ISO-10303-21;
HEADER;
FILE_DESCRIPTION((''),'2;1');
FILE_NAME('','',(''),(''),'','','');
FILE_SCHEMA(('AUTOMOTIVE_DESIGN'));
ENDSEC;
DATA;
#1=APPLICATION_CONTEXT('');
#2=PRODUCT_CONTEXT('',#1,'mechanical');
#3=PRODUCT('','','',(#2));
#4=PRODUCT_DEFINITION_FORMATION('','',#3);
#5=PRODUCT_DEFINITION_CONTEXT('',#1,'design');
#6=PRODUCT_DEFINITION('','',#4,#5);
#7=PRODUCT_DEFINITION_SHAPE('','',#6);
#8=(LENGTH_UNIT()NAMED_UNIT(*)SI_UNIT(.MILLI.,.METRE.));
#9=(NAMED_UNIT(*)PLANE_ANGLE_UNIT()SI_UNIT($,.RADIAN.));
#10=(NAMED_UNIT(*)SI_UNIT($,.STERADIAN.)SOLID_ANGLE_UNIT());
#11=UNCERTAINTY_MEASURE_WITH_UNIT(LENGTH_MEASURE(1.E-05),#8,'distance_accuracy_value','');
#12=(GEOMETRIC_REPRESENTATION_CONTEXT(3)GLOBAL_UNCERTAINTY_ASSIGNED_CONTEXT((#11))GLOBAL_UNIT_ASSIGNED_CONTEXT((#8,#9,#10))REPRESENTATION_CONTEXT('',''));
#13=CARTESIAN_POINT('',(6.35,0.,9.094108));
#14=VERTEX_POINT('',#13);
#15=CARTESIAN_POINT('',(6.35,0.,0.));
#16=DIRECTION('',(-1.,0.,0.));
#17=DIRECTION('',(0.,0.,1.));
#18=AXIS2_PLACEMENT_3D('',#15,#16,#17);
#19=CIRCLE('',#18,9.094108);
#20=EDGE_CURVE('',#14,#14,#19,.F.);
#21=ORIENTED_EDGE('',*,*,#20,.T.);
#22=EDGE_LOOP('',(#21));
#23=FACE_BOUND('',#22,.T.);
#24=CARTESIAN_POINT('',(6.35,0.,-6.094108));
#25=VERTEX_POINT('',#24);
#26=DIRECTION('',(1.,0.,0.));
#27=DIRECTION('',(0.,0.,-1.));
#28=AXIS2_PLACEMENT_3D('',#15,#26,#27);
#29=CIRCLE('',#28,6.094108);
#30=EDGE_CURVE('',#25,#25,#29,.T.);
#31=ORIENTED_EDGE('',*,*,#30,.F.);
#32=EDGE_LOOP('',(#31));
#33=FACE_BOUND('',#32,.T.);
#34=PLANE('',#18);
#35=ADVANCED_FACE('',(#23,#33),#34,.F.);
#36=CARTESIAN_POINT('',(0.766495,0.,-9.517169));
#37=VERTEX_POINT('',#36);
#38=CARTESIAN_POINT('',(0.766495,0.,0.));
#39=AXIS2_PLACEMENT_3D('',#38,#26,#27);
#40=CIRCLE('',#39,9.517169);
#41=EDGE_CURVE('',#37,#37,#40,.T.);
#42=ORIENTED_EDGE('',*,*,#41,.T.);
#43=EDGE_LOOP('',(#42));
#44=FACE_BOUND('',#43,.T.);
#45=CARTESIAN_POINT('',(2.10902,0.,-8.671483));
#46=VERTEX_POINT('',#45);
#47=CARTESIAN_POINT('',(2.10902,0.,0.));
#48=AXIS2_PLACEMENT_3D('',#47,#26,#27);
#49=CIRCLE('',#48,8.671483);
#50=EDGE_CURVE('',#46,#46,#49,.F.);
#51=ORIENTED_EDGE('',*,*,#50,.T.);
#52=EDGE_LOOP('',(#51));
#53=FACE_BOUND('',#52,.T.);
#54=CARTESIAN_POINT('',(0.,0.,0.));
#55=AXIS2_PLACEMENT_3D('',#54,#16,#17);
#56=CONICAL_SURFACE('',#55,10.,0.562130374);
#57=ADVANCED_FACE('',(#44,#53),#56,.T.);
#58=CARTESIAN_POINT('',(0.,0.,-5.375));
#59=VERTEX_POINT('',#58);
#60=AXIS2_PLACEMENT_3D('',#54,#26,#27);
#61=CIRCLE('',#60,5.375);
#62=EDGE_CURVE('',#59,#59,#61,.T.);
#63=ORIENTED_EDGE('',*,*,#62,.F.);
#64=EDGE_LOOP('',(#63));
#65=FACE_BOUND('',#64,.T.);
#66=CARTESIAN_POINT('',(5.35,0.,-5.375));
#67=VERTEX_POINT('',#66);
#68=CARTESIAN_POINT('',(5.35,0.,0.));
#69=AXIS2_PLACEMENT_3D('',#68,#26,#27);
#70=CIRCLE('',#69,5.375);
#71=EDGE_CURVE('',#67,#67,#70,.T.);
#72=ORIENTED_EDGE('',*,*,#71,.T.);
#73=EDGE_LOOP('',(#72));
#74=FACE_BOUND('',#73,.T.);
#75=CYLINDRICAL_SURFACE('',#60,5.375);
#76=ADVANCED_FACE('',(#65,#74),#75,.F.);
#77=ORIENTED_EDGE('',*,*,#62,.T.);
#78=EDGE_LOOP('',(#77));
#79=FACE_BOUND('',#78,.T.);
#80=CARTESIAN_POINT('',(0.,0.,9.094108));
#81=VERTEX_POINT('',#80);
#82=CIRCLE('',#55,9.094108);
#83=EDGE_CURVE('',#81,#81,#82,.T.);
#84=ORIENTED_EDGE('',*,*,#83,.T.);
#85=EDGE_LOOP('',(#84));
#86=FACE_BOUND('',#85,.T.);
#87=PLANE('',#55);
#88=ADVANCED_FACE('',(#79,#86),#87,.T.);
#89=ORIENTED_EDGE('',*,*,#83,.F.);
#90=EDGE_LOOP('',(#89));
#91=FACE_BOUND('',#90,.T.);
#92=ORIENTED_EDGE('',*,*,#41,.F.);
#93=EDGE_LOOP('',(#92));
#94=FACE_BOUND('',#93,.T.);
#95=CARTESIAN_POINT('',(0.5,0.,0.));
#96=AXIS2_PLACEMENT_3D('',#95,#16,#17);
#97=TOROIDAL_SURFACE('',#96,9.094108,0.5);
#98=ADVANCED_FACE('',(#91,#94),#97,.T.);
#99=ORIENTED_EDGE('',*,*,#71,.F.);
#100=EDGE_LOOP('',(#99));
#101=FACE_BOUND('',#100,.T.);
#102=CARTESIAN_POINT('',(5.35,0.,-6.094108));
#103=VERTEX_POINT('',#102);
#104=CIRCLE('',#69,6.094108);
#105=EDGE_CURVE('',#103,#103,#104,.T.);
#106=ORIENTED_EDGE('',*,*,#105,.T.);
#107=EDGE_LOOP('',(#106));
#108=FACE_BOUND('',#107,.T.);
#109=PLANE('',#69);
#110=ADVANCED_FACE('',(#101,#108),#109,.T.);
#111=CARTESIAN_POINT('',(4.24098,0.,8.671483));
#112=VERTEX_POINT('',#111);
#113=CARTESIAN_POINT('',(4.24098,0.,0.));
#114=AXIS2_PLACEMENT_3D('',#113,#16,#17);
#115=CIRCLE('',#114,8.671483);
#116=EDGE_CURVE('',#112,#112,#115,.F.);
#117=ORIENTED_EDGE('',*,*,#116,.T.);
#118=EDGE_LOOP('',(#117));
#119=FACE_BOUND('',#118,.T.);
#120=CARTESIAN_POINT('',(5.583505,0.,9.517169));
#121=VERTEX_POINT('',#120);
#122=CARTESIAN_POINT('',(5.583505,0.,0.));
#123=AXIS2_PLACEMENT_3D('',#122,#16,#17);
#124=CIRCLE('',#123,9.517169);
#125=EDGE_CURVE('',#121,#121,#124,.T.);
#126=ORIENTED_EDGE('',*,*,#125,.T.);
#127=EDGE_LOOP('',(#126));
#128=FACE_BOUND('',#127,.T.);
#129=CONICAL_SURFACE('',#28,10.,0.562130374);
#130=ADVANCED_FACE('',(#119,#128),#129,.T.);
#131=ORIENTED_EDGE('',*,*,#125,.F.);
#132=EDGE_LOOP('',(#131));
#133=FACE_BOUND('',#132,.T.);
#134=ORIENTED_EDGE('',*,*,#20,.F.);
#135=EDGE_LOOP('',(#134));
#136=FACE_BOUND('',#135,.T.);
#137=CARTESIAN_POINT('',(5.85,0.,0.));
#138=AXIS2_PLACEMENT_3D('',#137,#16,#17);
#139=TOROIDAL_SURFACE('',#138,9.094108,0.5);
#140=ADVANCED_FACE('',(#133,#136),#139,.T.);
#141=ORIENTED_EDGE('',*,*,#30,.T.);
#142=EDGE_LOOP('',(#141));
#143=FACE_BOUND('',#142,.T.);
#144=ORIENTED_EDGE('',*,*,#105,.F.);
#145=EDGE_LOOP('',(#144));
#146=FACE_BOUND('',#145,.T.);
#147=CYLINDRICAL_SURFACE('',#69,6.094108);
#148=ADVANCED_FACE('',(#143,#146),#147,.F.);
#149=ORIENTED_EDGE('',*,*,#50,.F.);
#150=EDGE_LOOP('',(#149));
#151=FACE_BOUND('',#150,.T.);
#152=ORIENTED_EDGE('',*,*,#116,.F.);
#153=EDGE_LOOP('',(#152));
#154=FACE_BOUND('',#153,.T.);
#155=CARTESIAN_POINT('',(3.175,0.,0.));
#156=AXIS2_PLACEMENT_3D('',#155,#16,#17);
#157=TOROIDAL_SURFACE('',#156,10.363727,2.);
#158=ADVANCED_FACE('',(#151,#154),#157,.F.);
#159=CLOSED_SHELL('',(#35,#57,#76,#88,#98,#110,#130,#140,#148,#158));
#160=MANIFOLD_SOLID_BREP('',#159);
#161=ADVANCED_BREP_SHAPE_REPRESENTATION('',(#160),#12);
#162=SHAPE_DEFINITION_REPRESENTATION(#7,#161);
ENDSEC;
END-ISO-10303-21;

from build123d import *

# Parameters (mm, degrees)
FILLET1_R          = 0.5
FILLET2_R          = 2
SKETCH2_R          = 6.094107734
CUT_EXTRUDE1_DEPTH = 1
SKETCH3_R          = 5.375
CUT_EXTRUDE2_DEPTH = 6.35


with BuildPart() as part:
    # Sketch1 → Revolve1 (revolve)
    with BuildSketch(Plane.XY):
        Polygon((0, 0), (6.35, 0), (6.35, 10), (3.175, 8), (0, 10), align=None)
    revolve(axis=Axis((0, 0, 0), (1, 0, 0)))

    # Fillet1
    fillet1_edges = [part.edges().sort_by_distance(p)[0] for p in [
        (0, -10, 0),
        (6.35, -10, 0),
    ]]
    fillet(fillet1_edges, radius=FILLET1_R)

    # Fillet2
    fillet2_edges = [part.edges().sort_by_distance(p)[0] for p in [
        (3.175, -8, 0),
    ]]
    fillet(fillet2_edges, radius=FILLET2_R)

    # Sketch2 → Cut-Extrude1 (cut)
    with BuildSketch(Plane(origin=(6.35, 0, 0), x_dir=(0, 0, -1), z_dir=(1, 0, 0))):
        Circle(SKETCH2_R)
    extrude(amount=-CUT_EXTRUDE1_DEPTH, mode=Mode.SUBTRACT)

    # Sketch3 → Cut-Extrude2 (cut, through all)
    with BuildSketch(Plane(origin=(5.35, 0, 0), x_dir=(0, 0, -1), z_dir=(1, 0, 0))):
        Circle(SKETCH3_R)
    extrude(amount=-CUT_EXTRUDE2_DEPTH, mode=Mode.SUBTRACT)


solid = part.part
